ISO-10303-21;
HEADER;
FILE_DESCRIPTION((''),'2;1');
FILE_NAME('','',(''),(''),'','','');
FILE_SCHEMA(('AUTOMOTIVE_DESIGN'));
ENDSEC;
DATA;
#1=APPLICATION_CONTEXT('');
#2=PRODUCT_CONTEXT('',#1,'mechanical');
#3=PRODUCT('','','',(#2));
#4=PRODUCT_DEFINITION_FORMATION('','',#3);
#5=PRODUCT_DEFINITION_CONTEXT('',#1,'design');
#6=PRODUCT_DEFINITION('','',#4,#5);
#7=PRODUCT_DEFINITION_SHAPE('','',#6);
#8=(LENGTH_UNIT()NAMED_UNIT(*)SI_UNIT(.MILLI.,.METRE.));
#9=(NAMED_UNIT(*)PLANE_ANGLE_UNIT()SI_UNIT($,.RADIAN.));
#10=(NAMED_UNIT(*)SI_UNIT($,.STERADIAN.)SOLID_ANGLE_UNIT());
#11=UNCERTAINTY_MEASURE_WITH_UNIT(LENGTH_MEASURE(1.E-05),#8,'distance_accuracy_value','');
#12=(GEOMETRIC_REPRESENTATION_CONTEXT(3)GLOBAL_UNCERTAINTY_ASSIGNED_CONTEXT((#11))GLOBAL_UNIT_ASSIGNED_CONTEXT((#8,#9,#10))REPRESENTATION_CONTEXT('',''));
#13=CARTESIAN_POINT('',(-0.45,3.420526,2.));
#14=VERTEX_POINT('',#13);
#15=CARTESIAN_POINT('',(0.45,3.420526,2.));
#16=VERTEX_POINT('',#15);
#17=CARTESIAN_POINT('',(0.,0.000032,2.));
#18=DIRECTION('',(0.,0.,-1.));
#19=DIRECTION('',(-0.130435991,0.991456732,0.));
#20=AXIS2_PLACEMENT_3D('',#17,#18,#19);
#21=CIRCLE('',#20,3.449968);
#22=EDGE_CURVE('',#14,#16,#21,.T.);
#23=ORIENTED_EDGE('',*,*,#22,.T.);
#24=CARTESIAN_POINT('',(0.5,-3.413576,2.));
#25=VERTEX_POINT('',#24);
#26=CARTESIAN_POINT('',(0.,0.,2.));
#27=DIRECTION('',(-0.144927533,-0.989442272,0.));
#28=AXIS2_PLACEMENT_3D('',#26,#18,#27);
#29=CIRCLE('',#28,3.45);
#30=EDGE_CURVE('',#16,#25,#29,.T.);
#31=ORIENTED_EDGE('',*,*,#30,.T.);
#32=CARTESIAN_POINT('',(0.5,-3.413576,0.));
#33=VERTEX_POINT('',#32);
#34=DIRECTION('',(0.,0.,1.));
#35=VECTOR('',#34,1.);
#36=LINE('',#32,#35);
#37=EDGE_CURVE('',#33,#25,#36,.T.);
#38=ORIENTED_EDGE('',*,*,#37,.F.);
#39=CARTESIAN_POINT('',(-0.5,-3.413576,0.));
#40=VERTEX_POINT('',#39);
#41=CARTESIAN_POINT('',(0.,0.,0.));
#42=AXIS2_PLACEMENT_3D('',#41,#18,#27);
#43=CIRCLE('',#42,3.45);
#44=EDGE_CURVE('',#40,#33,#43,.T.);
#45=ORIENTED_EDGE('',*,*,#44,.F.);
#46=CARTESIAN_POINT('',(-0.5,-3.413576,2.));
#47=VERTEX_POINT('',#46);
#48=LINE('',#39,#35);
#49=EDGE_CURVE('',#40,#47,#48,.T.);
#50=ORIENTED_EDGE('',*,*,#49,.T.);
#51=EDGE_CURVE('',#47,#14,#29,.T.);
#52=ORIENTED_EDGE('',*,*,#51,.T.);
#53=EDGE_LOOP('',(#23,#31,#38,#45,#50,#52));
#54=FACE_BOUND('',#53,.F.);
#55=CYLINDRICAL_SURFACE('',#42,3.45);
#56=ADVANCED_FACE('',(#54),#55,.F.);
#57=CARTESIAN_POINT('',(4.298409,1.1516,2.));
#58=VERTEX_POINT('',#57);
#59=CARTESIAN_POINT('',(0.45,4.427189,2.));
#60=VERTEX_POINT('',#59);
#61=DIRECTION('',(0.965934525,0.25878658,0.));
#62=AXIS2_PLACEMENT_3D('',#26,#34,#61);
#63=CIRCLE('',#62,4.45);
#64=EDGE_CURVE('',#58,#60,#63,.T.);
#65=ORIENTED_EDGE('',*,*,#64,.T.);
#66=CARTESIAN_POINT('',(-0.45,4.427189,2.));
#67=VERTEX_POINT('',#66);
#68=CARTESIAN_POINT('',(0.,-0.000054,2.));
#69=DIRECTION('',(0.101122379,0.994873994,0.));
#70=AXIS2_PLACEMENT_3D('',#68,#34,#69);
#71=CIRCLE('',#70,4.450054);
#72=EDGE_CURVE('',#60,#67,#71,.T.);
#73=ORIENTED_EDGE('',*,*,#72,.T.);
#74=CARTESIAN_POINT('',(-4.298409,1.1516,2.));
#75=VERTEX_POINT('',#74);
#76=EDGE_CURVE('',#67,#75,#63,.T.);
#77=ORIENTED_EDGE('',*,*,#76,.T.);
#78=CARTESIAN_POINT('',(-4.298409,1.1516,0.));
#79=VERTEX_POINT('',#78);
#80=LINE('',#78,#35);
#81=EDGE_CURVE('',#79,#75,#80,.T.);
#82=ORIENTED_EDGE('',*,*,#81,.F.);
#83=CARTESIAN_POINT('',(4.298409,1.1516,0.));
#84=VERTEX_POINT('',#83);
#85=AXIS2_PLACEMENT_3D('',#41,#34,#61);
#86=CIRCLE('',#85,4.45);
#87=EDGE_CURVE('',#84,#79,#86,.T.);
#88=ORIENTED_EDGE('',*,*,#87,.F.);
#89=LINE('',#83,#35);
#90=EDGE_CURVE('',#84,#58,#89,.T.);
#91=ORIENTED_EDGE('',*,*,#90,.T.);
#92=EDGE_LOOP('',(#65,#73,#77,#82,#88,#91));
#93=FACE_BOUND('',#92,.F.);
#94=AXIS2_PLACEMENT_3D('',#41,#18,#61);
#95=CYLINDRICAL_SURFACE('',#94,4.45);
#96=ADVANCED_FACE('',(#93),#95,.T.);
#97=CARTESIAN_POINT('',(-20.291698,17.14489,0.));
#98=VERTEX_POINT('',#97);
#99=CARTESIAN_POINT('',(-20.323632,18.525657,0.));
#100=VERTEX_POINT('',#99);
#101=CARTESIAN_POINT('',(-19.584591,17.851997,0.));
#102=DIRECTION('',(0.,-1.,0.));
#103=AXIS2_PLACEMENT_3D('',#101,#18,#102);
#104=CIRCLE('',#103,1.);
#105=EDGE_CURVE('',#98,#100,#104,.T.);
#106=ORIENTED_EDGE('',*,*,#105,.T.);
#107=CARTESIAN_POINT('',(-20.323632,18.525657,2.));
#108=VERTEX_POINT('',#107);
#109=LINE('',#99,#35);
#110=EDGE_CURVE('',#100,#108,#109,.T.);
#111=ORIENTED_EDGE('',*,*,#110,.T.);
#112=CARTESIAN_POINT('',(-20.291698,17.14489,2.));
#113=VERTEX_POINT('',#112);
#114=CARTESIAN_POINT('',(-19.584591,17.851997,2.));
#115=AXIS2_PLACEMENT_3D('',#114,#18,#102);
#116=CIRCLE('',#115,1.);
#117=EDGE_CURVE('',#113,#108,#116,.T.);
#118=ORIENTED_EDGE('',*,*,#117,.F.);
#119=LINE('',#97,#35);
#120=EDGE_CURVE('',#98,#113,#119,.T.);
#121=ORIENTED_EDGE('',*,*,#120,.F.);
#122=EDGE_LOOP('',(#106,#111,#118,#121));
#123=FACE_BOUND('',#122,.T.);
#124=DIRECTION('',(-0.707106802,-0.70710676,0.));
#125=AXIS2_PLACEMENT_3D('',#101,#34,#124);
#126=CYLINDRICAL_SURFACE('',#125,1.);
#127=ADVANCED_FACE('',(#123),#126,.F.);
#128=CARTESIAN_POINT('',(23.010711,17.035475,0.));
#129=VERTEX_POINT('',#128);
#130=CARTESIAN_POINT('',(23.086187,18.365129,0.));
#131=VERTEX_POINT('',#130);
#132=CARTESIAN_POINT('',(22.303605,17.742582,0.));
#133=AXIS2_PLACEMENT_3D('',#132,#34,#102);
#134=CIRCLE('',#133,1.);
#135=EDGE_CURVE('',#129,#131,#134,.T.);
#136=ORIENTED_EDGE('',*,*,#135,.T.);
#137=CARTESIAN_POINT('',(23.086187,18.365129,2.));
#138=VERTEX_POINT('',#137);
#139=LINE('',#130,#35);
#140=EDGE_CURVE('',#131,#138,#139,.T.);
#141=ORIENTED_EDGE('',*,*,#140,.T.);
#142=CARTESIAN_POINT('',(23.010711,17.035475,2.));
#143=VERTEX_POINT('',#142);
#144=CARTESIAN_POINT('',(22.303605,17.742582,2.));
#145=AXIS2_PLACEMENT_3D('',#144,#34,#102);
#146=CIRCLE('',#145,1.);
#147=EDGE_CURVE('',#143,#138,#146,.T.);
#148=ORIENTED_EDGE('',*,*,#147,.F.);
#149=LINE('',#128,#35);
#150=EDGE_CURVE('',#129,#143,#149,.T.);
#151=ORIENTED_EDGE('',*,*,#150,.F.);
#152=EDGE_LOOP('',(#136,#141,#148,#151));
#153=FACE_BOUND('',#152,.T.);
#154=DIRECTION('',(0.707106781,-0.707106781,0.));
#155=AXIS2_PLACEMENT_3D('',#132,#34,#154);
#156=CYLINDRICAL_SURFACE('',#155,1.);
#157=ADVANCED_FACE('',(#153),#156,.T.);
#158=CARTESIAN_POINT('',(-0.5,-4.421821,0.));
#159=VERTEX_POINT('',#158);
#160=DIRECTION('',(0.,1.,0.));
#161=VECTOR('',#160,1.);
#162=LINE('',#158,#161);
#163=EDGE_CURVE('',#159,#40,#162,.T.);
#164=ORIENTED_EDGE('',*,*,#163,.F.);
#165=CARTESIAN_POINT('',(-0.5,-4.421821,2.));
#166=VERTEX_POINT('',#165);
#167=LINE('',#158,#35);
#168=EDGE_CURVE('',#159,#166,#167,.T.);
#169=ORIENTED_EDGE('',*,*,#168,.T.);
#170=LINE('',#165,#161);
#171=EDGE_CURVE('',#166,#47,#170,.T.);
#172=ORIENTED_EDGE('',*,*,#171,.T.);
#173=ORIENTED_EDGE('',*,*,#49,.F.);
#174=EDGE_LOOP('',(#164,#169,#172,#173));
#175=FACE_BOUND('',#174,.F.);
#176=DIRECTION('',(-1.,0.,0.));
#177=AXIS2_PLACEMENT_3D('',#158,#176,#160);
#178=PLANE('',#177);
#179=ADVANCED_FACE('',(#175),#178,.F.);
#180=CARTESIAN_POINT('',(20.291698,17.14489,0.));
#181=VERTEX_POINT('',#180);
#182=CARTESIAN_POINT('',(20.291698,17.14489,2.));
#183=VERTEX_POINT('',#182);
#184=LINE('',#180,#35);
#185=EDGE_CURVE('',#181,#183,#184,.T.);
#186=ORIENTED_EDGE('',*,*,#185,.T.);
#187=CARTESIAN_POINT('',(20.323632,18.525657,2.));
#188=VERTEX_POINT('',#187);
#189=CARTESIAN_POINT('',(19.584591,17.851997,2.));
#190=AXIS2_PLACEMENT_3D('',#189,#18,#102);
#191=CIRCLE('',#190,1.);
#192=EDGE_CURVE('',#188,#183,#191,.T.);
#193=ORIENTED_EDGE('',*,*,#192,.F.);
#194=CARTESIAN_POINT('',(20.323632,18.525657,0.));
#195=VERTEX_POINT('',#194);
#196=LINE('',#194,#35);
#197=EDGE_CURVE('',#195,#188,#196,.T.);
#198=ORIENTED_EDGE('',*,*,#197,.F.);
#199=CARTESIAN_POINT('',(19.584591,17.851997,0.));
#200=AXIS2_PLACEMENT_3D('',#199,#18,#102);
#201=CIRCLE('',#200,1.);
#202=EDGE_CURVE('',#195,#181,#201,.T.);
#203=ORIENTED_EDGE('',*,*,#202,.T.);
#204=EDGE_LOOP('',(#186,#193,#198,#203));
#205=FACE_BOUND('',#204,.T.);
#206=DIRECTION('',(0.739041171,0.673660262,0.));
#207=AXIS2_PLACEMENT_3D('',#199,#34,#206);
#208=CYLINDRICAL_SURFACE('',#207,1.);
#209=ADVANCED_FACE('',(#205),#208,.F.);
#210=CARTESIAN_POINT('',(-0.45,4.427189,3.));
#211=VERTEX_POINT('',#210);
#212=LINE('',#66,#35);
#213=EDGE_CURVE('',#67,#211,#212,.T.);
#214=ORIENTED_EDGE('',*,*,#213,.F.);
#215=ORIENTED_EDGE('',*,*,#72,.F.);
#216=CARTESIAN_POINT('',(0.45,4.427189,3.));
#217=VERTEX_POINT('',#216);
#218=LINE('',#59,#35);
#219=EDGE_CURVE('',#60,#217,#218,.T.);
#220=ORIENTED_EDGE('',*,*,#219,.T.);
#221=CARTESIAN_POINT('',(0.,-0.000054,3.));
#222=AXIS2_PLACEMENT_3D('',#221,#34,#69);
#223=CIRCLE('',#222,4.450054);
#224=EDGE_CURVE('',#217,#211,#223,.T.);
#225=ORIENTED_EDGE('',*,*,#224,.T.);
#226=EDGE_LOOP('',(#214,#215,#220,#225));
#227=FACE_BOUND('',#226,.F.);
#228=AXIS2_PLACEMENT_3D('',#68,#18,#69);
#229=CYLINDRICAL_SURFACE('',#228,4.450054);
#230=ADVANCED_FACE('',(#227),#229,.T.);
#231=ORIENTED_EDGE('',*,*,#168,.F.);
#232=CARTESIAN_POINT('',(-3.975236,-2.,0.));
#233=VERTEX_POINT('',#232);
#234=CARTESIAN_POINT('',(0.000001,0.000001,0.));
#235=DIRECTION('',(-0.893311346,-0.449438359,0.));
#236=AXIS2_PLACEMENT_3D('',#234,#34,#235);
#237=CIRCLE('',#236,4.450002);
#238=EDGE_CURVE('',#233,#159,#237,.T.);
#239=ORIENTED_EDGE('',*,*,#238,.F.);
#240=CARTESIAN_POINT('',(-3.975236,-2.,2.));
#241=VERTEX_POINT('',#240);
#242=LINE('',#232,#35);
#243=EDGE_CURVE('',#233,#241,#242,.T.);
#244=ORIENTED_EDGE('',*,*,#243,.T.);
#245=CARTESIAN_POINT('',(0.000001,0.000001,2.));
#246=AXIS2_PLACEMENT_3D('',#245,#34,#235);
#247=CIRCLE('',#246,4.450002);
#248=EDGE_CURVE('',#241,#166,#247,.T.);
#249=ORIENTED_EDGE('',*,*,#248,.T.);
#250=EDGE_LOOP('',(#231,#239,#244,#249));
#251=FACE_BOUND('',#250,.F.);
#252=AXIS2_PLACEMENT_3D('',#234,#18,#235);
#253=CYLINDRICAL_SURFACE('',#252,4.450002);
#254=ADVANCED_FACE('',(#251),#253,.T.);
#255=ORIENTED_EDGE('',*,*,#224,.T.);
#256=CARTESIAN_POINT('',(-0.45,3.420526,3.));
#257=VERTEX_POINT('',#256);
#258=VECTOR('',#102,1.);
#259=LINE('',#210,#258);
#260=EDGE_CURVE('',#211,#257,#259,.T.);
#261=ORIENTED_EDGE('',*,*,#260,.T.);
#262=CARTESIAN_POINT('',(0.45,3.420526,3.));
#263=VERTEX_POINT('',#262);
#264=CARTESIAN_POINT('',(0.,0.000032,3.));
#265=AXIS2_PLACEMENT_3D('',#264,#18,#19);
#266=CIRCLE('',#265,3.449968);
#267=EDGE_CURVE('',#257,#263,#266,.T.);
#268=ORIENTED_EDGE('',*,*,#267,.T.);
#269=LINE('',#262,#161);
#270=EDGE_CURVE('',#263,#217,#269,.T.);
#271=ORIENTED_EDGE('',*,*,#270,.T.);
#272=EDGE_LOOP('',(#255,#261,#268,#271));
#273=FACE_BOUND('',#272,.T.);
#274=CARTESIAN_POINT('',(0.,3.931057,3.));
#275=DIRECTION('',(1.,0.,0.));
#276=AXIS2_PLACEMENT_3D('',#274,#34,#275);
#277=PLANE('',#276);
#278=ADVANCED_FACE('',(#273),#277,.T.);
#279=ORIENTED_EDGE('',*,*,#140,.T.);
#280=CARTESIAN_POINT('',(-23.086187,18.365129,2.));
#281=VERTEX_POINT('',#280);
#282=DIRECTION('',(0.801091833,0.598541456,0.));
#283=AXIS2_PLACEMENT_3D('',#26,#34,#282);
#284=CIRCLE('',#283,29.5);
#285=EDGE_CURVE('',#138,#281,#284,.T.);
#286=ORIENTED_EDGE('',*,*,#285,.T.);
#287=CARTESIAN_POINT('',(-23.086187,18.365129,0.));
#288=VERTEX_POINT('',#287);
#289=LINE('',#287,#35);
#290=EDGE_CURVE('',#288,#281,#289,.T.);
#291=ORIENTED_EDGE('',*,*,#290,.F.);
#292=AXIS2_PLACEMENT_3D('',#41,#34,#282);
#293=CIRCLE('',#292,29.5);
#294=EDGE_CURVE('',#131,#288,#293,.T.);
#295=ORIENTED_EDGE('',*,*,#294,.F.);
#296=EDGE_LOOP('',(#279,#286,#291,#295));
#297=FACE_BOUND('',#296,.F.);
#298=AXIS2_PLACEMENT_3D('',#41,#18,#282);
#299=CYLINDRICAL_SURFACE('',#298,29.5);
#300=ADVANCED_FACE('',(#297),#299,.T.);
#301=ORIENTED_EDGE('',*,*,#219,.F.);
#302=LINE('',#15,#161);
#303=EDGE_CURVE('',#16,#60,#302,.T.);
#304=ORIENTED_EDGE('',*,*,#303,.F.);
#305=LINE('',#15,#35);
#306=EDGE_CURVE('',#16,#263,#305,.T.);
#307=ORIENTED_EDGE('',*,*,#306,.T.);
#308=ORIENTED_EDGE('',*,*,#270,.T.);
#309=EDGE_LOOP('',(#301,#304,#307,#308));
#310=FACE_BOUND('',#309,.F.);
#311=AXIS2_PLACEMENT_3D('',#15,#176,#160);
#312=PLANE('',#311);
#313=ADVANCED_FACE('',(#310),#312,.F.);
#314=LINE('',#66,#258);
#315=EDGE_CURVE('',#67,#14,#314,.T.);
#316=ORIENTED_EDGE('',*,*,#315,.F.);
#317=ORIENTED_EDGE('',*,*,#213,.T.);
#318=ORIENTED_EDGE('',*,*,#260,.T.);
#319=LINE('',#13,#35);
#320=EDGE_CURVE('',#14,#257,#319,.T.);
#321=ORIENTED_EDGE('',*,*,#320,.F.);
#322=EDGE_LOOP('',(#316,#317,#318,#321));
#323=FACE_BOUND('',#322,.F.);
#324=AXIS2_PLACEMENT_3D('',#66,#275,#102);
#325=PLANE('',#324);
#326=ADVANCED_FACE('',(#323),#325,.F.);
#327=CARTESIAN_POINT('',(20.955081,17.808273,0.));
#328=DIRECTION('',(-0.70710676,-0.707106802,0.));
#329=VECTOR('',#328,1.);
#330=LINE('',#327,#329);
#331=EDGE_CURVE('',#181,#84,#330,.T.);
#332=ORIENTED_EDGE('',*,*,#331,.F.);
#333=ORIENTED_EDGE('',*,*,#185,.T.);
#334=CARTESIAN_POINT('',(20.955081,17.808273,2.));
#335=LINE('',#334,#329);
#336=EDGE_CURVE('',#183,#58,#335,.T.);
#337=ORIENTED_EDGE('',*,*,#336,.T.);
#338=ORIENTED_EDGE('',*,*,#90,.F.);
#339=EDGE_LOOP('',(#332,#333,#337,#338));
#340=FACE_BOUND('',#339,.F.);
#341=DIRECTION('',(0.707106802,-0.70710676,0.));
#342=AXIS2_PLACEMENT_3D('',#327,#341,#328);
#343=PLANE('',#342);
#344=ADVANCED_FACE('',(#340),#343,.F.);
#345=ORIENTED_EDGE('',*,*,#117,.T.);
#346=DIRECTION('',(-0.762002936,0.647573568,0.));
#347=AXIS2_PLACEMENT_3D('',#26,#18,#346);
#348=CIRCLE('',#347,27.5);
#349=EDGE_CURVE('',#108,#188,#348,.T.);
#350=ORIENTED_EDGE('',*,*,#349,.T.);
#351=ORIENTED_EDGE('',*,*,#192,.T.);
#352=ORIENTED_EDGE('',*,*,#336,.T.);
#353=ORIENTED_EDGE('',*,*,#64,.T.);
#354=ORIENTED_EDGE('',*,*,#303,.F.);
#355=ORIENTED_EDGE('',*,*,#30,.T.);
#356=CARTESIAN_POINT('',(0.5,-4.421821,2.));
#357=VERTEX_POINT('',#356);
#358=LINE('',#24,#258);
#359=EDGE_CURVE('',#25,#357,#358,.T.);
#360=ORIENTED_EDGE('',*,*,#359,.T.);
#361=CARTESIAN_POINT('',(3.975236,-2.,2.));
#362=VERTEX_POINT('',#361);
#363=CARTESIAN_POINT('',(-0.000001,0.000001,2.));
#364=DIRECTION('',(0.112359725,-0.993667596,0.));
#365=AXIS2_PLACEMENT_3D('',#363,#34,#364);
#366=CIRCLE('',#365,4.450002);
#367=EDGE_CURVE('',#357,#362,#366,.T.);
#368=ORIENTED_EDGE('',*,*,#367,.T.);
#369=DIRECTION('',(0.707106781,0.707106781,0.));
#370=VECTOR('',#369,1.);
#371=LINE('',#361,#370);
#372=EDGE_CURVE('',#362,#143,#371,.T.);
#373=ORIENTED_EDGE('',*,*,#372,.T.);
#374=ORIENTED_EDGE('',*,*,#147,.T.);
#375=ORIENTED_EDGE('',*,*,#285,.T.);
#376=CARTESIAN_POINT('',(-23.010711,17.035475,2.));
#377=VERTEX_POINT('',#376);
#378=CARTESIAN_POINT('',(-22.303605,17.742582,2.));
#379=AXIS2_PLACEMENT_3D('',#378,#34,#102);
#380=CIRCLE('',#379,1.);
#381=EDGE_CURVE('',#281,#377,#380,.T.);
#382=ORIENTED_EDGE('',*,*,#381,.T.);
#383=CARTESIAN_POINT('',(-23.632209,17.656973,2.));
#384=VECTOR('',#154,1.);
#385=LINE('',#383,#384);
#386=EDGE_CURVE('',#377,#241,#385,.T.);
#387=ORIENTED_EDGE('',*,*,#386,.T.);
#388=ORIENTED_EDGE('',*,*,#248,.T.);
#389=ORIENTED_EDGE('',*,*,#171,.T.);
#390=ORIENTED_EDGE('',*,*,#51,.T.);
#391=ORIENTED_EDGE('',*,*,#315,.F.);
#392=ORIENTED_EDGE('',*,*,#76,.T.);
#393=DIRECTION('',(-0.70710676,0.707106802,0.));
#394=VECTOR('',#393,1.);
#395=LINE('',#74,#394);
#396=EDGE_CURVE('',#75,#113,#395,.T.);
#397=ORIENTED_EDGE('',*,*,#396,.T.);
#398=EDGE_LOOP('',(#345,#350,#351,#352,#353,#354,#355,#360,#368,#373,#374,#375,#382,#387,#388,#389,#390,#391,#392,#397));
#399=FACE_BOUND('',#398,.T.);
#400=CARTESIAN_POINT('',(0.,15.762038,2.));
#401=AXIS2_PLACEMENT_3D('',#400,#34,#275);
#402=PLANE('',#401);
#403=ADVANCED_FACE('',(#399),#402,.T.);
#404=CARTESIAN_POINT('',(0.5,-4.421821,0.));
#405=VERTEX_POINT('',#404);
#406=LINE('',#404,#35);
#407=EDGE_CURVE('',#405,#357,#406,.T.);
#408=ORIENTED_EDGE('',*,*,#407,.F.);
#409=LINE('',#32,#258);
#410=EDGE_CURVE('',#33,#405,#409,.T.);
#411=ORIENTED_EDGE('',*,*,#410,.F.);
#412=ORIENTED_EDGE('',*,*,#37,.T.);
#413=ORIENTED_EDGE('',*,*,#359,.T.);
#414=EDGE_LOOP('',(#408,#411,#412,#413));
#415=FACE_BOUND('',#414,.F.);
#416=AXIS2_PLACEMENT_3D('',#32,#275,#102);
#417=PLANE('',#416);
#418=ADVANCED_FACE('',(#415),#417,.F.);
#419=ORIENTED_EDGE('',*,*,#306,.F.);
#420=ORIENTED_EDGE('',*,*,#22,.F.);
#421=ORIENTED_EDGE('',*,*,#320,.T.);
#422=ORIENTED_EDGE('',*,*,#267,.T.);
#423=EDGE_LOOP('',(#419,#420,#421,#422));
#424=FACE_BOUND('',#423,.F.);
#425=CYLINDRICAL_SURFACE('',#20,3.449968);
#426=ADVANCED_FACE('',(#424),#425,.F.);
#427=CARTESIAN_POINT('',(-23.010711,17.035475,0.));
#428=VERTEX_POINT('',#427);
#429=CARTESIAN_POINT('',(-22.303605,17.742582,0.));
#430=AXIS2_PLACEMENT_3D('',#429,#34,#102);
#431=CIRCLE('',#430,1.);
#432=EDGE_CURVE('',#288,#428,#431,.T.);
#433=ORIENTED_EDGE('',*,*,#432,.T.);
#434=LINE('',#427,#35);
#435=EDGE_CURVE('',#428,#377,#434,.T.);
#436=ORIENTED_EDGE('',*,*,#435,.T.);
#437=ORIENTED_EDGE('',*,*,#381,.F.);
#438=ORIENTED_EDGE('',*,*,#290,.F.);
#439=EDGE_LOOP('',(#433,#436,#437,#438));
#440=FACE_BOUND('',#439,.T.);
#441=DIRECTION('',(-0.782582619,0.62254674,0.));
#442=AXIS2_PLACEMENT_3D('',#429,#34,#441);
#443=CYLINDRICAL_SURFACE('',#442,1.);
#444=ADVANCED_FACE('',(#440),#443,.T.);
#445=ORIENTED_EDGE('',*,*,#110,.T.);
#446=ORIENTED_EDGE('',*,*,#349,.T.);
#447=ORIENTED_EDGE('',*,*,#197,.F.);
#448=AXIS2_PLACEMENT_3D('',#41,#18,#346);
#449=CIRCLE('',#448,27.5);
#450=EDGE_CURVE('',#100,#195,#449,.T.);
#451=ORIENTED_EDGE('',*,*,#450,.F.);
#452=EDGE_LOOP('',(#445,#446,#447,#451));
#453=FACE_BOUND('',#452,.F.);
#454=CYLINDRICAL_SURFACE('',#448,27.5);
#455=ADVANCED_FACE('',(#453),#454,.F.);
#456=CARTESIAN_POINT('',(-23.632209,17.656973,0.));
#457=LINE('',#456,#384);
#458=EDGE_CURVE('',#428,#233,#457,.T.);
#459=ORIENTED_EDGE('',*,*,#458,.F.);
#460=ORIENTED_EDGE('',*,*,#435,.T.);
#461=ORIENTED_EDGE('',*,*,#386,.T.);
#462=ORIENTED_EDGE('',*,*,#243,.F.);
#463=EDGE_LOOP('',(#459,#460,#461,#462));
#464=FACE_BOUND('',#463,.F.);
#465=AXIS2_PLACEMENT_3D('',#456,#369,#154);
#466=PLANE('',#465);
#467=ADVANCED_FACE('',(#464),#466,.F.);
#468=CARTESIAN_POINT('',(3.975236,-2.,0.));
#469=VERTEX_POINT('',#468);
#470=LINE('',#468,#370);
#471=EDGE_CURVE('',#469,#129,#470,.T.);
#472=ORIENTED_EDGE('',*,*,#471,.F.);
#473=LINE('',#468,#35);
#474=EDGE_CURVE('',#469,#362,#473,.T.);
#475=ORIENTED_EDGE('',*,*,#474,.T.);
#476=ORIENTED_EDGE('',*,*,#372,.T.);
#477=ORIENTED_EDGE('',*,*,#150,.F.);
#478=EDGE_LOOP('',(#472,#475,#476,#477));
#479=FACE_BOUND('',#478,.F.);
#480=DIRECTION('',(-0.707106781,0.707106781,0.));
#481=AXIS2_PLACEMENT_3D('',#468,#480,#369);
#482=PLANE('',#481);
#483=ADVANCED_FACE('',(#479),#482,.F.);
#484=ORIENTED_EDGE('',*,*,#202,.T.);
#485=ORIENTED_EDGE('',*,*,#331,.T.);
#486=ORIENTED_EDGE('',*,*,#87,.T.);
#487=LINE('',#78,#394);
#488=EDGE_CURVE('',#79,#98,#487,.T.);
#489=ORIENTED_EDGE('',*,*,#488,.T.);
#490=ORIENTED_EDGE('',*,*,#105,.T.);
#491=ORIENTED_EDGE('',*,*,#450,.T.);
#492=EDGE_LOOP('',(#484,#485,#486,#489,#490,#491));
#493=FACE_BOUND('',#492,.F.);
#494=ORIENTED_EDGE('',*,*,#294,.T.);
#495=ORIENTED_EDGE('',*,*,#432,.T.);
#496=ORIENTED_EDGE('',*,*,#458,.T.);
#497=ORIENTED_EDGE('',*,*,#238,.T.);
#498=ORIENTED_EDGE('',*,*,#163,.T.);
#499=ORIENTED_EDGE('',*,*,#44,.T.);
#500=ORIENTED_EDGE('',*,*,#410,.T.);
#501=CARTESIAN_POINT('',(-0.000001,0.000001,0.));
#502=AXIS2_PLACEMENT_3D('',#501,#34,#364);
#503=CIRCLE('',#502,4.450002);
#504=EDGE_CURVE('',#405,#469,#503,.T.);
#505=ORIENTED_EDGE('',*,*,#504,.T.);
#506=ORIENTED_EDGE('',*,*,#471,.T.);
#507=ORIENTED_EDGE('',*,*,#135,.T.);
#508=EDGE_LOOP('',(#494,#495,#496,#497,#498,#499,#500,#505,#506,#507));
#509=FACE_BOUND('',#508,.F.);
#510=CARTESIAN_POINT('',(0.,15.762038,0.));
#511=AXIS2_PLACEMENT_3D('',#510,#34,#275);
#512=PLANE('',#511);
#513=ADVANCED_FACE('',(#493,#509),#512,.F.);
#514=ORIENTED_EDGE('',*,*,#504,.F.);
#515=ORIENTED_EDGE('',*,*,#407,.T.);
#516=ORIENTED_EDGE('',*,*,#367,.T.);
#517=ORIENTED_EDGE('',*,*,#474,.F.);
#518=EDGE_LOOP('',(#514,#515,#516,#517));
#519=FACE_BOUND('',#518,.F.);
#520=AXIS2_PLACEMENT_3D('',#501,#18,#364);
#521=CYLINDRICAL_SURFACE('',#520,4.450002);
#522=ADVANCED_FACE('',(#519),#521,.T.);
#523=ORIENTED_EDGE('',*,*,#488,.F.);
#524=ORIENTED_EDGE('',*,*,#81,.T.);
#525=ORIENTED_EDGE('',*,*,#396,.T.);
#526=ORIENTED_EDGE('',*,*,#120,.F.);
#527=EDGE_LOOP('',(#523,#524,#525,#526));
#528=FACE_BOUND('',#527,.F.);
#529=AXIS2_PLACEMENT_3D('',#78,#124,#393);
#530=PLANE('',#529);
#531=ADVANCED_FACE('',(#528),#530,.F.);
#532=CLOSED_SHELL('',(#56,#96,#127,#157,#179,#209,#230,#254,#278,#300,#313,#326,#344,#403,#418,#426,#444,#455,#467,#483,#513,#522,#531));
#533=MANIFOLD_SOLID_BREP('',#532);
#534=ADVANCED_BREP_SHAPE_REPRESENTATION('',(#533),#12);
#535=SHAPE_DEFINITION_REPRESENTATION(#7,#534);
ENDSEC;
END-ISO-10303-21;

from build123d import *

# Parameters (mm, degrees)
F1_DEPTH = 2
F3_DEPTH = 1
F4_R     = 1


with BuildPart() as f1:
    # F0 (on Top) → F1 (new body)
    with BuildSketch(Plane.XY):
        with BuildLine():
            ThreePointArc((4.298409, 1.1516), (4.426787, -0.453934), (3.975236, -2))
            Line((3.975236, -2), (23.632209, 17.656973))
            ThreePointArc((23.632209, 17.656973), (0, 29.5), (-23.632209, 17.656973))
            Line((-23.632209, 17.656973), (-3.975236, -2))
            ThreePointArc((-3.975236, -2), (-4.426787, -0.453934), (-4.298409, 1.1516))
            Line((-4.298409, 1.1516), (-20.955081, 17.808273))
            ThreePointArc((-20.955081, 17.808273), (0, 27.5), (20.955081, 17.808273))
            Line((20.955081, 17.808273), (4.298409, 1.1516))
        make_face()
        with BuildLine():
            Line((0.5, -3.413576), (0.5, -4.421821))
            ThreePointArc((0.5, -4.421821), (2.544256, -3.650926), (3.975236, -2))
            ThreePointArc((3.975236, -2), (4.426787, -0.453934), (4.298409, 1.1516))
            ThreePointArc((4.298409, 1.1516), (0, 4.45), (-4.298409, 1.1516))
            ThreePointArc((-4.298409, 1.1516), (-4.426787, -0.453934), (-3.975236, -2))
            ThreePointArc((-3.975236, -2), (-2.544256, -3.650926), (-0.5, -4.421821))
            Line((-0.5, -4.421821), (-0.5, -3.413576))
            ThreePointArc((-0.5, -3.413576), (0, 3.45), (0.5, -3.413576))
        make_face()
    extrude(amount=F1_DEPTH)

    # F2 (on face) → F3 (join)
    with BuildSketch(Plane.XY.offset(2)):
        with BuildLine():
            Line((0.45, 3.420526), (0.45, 4.427189))
            ThreePointArc((0.45, 4.427189), (0, 4.45), (-0.45, 4.427189))
            Line((-0.45, 4.427189), (-0.45, 3.420526))
            ThreePointArc((-0.45, 3.420526), (0, 3.45), (0.45, 3.420526))
        make_face()
    extrude(amount=F3_DEPTH)

    # F4
    f4_edges = [f1.edges().sort_by_distance(p)[0] for p in [
        (-23.632209, 17.656973, 1),
        (-20.955081, 17.808273, 1),
        (23.632209, 17.656973, 1),
        (20.955081, 17.808273, 1),
    ]]
    fillet(f4_edges, radius=F4_R)


solid = f1.part
